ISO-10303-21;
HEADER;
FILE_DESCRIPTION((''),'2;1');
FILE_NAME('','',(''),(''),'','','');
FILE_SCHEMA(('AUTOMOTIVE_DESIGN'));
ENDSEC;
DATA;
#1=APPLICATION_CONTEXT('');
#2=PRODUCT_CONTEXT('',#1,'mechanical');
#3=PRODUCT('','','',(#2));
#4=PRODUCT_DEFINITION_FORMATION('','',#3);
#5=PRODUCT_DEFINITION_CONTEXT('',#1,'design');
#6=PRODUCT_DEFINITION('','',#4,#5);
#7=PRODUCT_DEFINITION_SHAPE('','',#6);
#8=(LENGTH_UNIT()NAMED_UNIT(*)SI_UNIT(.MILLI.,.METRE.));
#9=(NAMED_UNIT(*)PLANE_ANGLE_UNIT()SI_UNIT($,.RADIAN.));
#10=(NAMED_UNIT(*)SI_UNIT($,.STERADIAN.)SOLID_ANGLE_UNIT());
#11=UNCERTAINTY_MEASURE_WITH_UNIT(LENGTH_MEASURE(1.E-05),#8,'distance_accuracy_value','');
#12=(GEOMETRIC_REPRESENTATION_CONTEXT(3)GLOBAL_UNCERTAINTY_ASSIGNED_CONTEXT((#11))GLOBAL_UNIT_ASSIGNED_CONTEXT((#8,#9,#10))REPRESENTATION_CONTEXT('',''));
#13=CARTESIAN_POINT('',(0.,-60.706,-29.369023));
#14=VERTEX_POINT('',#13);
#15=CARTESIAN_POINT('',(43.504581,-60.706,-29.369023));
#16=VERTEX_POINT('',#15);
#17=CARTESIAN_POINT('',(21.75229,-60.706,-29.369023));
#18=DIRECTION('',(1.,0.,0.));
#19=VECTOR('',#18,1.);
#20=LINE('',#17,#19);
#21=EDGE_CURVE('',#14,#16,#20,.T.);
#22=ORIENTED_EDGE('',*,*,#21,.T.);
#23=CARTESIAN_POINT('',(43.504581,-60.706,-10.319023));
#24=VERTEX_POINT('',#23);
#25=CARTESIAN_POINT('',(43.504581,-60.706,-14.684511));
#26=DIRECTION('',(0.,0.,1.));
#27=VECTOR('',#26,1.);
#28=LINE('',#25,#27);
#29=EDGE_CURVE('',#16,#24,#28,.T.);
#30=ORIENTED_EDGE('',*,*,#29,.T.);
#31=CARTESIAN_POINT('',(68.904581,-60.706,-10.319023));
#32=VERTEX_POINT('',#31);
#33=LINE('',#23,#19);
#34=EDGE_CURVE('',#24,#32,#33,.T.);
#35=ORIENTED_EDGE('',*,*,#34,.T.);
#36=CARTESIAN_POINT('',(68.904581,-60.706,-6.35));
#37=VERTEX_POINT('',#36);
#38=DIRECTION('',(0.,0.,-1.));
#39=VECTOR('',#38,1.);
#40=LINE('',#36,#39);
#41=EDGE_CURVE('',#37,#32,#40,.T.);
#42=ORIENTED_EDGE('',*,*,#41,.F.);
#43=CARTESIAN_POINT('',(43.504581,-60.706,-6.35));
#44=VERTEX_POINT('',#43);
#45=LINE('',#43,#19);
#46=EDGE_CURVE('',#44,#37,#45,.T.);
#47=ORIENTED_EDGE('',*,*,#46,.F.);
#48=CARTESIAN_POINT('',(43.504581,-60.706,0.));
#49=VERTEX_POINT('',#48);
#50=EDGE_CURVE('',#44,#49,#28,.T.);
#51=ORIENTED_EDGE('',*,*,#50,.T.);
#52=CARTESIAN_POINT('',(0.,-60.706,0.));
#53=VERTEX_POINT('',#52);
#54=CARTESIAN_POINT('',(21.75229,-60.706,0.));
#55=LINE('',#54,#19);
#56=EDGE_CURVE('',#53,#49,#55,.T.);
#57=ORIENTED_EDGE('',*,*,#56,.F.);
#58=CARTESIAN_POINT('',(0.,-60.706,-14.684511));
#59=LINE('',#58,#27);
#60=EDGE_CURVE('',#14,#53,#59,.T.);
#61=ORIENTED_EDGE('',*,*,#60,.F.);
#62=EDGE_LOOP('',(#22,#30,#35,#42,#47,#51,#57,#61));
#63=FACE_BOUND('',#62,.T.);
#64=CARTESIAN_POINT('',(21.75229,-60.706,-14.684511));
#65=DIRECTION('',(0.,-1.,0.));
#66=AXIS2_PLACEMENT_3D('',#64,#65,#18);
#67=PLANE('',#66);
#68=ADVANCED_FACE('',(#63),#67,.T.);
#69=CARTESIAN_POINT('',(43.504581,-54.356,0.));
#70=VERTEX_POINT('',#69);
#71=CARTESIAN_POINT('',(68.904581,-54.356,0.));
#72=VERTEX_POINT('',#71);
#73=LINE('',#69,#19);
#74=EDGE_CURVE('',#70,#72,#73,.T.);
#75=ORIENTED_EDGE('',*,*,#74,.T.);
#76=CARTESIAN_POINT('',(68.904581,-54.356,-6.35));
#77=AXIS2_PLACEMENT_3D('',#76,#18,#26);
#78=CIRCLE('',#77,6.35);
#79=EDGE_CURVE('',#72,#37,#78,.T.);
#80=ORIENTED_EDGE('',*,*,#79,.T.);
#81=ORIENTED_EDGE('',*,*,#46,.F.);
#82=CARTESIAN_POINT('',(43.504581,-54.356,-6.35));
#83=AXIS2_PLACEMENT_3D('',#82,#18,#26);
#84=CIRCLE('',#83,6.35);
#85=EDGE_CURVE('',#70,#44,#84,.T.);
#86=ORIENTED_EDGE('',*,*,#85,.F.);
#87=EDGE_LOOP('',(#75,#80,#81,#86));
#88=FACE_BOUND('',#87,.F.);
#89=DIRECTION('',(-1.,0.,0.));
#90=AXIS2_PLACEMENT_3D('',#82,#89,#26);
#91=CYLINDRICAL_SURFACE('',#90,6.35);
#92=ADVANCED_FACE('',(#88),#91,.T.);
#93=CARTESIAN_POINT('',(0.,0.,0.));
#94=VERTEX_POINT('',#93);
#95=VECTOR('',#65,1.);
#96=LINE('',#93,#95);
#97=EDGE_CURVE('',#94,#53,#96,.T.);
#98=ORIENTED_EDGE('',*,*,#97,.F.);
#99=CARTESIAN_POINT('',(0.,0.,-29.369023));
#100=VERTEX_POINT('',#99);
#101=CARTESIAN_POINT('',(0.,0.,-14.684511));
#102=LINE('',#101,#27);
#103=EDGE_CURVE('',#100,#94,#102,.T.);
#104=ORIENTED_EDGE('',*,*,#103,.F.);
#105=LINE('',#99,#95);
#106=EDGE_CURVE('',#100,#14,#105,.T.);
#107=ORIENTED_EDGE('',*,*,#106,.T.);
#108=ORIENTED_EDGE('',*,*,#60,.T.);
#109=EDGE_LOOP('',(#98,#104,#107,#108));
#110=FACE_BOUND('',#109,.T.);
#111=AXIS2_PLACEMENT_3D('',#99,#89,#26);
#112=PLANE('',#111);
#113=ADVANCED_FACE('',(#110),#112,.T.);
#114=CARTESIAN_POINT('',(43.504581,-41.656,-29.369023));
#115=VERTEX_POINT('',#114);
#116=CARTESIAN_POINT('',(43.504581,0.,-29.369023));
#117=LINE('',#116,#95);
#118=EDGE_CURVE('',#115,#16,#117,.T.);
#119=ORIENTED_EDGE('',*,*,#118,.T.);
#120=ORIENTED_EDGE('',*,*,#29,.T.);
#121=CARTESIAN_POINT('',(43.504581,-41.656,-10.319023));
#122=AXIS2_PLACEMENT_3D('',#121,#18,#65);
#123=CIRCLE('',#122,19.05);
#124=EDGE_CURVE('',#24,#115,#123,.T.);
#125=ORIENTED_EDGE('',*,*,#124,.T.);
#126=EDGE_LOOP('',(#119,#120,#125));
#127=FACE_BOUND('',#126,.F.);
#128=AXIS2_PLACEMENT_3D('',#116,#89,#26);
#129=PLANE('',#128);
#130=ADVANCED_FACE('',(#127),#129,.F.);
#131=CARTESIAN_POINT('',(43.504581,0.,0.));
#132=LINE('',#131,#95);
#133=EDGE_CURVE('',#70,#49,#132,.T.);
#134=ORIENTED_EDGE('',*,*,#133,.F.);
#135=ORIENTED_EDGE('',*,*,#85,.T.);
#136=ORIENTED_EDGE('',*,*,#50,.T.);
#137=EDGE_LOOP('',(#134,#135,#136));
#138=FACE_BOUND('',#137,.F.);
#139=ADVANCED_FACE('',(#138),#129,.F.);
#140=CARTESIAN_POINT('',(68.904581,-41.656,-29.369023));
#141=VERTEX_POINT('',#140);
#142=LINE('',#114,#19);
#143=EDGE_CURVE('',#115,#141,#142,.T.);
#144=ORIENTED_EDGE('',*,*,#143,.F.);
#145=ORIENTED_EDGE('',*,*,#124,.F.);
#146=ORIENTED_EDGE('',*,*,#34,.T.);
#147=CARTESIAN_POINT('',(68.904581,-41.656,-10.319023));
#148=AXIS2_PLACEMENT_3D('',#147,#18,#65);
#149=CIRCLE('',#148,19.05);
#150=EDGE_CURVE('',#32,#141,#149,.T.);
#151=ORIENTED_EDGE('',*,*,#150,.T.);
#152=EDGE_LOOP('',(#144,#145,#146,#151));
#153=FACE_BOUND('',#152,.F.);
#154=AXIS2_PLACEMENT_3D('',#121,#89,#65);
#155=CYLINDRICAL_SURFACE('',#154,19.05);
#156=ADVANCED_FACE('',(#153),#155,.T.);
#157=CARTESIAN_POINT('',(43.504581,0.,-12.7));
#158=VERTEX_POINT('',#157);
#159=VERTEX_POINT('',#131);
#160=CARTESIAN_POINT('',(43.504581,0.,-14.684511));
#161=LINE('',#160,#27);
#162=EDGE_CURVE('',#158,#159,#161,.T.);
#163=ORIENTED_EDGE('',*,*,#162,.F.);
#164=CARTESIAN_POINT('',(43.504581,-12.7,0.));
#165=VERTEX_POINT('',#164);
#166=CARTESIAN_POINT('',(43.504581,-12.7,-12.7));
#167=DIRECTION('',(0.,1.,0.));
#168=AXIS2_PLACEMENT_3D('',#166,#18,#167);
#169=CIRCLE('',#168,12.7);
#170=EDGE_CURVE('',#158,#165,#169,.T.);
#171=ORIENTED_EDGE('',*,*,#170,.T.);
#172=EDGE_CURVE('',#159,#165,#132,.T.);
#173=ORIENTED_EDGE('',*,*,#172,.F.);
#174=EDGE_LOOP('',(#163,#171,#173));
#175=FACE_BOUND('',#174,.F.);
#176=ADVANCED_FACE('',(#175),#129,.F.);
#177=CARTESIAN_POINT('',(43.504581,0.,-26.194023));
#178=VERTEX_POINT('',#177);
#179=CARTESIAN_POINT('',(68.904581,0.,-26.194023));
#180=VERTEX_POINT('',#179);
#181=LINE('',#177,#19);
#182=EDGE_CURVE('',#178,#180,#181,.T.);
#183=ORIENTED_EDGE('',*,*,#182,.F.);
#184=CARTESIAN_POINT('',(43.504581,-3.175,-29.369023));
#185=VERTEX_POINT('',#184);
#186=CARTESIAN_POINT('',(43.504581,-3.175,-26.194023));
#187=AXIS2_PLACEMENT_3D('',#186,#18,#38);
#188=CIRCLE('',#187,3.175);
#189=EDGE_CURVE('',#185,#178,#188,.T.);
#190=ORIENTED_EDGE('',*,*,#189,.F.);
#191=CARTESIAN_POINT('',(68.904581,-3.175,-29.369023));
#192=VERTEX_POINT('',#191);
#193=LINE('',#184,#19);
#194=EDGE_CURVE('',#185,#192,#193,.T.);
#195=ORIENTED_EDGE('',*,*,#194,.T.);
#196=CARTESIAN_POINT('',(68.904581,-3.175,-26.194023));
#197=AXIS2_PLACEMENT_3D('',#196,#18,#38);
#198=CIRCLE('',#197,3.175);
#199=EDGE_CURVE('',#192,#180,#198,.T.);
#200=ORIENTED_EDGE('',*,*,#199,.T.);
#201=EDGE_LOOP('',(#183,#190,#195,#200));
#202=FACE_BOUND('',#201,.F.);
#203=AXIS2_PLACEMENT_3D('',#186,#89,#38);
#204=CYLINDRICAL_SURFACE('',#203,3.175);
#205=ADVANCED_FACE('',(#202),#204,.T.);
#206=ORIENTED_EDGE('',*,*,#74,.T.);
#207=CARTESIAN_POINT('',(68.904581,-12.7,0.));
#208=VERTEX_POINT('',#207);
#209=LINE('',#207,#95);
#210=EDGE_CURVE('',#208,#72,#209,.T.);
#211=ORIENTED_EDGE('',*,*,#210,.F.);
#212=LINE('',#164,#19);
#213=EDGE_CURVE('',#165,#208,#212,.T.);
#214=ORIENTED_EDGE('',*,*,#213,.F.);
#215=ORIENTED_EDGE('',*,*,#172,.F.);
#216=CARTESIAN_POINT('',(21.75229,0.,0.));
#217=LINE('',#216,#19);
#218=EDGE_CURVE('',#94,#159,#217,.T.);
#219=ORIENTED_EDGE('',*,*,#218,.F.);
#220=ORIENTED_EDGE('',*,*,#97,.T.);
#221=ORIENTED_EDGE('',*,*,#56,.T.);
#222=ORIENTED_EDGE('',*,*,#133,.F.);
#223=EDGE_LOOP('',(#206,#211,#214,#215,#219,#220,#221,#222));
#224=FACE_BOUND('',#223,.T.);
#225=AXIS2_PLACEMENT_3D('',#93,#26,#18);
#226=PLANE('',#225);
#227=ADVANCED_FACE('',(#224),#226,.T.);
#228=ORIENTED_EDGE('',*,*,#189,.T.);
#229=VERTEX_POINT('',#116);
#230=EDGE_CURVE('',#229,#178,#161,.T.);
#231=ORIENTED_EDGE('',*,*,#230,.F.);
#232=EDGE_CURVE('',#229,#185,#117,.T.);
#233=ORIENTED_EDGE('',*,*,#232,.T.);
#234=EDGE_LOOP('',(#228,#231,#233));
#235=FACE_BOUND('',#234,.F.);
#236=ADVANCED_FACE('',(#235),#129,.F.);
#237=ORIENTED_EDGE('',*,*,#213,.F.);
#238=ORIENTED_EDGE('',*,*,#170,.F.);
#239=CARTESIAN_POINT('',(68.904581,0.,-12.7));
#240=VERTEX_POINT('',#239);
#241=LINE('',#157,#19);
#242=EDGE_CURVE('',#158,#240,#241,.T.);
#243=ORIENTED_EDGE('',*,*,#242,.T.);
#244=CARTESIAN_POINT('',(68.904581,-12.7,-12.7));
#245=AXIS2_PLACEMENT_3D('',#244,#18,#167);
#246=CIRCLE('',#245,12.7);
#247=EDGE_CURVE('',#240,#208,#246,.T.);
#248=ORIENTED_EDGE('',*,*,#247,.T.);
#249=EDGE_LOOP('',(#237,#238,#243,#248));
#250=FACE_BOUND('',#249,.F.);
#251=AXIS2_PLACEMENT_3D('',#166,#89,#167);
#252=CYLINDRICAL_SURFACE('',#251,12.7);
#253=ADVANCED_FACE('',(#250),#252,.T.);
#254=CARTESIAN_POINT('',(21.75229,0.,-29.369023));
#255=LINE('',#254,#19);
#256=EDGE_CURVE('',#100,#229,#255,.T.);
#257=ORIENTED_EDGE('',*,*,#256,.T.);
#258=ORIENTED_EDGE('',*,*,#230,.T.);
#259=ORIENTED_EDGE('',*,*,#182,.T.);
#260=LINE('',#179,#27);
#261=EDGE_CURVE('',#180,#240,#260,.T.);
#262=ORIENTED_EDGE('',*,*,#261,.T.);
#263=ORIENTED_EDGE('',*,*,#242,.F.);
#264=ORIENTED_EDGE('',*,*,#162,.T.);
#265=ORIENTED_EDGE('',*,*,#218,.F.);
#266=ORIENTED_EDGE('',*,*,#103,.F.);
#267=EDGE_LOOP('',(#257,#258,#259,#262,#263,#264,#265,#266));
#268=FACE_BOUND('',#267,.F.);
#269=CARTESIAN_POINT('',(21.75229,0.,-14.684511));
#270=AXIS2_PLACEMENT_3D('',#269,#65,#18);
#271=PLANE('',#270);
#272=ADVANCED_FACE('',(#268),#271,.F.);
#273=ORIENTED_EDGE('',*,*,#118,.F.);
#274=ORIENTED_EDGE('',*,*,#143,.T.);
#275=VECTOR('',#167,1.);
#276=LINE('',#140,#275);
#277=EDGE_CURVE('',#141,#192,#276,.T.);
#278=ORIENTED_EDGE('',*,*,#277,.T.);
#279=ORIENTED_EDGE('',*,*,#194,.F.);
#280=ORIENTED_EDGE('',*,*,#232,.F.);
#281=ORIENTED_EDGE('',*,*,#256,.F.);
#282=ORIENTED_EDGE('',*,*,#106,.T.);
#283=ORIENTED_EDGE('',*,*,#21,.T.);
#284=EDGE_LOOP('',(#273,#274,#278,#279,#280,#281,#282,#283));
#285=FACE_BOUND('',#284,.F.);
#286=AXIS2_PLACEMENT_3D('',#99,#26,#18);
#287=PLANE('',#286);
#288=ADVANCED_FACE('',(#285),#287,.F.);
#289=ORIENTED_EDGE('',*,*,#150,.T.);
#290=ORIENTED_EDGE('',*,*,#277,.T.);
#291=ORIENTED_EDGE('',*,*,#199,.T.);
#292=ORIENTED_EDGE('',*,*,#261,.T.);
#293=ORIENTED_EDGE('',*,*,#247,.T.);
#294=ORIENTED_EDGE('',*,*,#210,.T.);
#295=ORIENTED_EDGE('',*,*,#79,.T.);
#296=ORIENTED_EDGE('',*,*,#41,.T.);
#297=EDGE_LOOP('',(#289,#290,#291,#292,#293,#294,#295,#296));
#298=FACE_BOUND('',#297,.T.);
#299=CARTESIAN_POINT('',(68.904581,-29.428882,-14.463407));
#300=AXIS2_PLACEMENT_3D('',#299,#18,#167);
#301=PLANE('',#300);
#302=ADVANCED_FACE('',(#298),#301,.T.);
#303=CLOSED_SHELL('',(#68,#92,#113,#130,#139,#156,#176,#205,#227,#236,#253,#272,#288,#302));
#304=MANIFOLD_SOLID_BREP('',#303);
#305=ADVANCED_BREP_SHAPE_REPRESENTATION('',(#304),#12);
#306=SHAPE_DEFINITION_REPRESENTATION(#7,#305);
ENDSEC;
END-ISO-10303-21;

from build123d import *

# Parameters (mm, degrees)
F0_W     = 43.5045808554
F0_H     = 29.3690226972
F1_DEPTH = 60.706
F3_DEPTH = 25.4


with BuildPart() as f1:
    # F0 (on Front) → F1 (new body)
    with BuildSketch(Plane.XZ):
        with Locations((21.7522904277, -14.6845113486)):
            Rectangle(F0_W, F0_H)
    extrude(amount=F1_DEPTH)

    # F2 (on face) → F3 (join)
    with BuildSketch(Plane.YZ.offset(43.5045808554)):
        with BuildLine():
            ThreePointArc((-3.175, -29.3690226972), (-0.9299359697, -28.4390867275), (0, -26.1940226972))
            Line((0, -26.1940226972), (0, -12.7))
            ThreePointArc((0, -12.7), (-3.7197438789, -3.7197438789), (-12.7, 0))
            Line((-12.7, 0), (-54.356, 0))
            ThreePointArc((-54.356, 0), (-58.8461280605, -1.8598719395), (-60.706, -6.35))
            Line((-60.706, -6.35), (-60.706, -10.3190226972))
            ThreePointArc((-60.706, -10.3190226972), (-55.1263841816, -23.7894068788), (-41.656, -29.3690226972))
            Line((-41.656, -29.3690226972), (-3.175, -29.3690226972))
        make_face()
    extrude(amount=F3_DEPTH)


solid = f1.part
